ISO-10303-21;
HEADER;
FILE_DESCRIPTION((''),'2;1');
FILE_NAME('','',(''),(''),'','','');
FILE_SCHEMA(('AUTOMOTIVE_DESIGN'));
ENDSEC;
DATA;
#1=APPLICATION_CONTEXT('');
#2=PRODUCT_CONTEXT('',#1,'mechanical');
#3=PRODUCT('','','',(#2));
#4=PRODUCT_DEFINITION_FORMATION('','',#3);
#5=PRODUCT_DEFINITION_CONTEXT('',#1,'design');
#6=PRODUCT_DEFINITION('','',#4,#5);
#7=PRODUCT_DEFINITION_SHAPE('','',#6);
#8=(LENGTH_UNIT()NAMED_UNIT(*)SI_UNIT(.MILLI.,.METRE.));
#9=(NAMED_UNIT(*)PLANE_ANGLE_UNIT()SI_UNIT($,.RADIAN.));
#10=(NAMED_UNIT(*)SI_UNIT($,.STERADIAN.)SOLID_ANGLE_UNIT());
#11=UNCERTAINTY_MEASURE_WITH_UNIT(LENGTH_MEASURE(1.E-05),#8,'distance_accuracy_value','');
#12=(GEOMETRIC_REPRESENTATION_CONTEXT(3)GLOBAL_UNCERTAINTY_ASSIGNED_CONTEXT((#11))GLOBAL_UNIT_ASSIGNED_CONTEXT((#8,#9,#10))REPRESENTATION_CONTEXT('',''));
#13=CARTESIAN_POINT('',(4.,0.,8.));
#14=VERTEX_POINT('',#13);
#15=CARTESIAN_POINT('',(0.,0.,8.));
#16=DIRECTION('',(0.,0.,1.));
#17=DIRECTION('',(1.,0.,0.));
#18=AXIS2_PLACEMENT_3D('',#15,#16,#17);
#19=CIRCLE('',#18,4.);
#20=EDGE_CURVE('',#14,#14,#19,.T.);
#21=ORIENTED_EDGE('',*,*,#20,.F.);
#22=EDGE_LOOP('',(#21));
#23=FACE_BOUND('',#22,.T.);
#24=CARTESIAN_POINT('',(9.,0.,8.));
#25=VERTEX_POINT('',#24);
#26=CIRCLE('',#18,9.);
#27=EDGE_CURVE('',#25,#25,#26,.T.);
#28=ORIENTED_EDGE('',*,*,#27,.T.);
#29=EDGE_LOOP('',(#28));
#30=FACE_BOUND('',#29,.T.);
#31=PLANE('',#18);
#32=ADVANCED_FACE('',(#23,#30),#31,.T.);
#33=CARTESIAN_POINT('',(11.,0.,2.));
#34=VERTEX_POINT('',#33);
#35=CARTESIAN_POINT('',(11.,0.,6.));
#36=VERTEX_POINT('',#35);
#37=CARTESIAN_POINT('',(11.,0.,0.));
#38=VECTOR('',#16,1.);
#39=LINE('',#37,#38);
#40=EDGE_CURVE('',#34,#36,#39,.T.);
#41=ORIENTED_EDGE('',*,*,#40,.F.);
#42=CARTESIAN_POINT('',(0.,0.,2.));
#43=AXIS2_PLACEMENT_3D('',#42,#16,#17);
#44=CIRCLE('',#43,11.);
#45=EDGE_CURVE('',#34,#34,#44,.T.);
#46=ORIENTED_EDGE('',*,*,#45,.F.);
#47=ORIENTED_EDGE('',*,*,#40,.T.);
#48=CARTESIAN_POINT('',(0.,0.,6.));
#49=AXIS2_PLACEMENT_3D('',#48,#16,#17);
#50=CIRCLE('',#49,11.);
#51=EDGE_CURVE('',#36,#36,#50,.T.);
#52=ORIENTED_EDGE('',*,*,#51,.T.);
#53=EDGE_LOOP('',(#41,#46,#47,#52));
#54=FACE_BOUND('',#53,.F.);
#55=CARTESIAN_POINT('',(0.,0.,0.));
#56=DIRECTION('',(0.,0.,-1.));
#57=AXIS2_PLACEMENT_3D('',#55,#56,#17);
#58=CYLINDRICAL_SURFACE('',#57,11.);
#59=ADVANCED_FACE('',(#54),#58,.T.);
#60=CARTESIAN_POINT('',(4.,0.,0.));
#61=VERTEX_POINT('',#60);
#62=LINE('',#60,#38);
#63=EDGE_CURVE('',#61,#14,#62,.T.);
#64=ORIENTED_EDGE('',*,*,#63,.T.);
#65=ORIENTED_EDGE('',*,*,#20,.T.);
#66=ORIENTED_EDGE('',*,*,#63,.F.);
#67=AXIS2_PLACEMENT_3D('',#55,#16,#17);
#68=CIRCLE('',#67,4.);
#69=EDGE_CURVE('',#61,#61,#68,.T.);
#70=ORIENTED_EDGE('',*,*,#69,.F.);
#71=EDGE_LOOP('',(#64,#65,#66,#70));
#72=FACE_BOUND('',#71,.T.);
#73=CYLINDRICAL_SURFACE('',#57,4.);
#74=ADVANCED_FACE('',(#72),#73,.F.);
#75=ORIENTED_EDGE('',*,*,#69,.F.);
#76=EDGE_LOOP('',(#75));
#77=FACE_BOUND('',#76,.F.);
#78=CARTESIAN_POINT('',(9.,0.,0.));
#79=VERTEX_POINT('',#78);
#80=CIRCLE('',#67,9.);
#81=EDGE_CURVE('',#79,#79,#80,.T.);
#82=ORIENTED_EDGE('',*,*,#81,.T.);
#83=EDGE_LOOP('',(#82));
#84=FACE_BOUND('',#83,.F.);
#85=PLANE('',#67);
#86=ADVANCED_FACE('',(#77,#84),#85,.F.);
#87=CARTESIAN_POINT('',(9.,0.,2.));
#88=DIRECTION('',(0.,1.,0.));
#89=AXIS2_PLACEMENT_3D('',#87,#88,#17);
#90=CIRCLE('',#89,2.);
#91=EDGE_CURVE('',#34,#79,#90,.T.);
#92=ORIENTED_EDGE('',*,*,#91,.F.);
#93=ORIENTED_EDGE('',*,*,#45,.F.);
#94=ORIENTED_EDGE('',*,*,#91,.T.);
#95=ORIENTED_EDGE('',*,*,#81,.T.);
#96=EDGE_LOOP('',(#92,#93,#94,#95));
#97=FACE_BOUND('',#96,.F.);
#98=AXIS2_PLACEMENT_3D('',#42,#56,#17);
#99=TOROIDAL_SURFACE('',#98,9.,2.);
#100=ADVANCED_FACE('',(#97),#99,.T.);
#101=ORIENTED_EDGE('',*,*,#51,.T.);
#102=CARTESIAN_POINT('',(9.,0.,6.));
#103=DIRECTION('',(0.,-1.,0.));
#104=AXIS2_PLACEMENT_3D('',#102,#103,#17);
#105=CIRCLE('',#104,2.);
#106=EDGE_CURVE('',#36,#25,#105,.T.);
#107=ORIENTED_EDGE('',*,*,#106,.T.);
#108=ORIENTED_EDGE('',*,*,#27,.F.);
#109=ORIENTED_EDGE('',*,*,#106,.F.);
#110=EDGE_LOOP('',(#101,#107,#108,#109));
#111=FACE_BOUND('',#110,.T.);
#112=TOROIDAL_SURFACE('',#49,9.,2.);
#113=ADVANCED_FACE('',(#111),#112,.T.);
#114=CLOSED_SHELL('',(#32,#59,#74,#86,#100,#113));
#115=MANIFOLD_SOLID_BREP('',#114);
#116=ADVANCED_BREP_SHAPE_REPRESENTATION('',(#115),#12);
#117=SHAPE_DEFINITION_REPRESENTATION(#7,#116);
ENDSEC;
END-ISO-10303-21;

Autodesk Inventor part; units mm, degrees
ref_plane "YZ Plane" through (0, 0, 0) normal (1, 0, 0) x (0, 1, 0)
ref_plane "XZ Plane" through (0, 0, 0) normal (0, 1, 0) x (-1, 0, 0)
ref_plane "XY Plane" through (0, 0, 0) normal (0, 0, 1) x (1, 0, 0)
sketch "Sketch1" plane through (0, 0, 0) normal (0, 0, 1) x (1, 0, 0)
  circle A0 centre (0, 0) radius 11
  circle A1 centre (0, 0) radius 4
  dimension "d0" = 22
  dimension "d1" = 8
extrude "Extrusion1" add sketch "Sketch1" along normal blind 8
fillet "Fillet1" radius 2 2 edges at (-11, 0, 8) (-11, 0, 0)
properties part number "22x8x8mm Bearing" material "Steel, Carbon"
